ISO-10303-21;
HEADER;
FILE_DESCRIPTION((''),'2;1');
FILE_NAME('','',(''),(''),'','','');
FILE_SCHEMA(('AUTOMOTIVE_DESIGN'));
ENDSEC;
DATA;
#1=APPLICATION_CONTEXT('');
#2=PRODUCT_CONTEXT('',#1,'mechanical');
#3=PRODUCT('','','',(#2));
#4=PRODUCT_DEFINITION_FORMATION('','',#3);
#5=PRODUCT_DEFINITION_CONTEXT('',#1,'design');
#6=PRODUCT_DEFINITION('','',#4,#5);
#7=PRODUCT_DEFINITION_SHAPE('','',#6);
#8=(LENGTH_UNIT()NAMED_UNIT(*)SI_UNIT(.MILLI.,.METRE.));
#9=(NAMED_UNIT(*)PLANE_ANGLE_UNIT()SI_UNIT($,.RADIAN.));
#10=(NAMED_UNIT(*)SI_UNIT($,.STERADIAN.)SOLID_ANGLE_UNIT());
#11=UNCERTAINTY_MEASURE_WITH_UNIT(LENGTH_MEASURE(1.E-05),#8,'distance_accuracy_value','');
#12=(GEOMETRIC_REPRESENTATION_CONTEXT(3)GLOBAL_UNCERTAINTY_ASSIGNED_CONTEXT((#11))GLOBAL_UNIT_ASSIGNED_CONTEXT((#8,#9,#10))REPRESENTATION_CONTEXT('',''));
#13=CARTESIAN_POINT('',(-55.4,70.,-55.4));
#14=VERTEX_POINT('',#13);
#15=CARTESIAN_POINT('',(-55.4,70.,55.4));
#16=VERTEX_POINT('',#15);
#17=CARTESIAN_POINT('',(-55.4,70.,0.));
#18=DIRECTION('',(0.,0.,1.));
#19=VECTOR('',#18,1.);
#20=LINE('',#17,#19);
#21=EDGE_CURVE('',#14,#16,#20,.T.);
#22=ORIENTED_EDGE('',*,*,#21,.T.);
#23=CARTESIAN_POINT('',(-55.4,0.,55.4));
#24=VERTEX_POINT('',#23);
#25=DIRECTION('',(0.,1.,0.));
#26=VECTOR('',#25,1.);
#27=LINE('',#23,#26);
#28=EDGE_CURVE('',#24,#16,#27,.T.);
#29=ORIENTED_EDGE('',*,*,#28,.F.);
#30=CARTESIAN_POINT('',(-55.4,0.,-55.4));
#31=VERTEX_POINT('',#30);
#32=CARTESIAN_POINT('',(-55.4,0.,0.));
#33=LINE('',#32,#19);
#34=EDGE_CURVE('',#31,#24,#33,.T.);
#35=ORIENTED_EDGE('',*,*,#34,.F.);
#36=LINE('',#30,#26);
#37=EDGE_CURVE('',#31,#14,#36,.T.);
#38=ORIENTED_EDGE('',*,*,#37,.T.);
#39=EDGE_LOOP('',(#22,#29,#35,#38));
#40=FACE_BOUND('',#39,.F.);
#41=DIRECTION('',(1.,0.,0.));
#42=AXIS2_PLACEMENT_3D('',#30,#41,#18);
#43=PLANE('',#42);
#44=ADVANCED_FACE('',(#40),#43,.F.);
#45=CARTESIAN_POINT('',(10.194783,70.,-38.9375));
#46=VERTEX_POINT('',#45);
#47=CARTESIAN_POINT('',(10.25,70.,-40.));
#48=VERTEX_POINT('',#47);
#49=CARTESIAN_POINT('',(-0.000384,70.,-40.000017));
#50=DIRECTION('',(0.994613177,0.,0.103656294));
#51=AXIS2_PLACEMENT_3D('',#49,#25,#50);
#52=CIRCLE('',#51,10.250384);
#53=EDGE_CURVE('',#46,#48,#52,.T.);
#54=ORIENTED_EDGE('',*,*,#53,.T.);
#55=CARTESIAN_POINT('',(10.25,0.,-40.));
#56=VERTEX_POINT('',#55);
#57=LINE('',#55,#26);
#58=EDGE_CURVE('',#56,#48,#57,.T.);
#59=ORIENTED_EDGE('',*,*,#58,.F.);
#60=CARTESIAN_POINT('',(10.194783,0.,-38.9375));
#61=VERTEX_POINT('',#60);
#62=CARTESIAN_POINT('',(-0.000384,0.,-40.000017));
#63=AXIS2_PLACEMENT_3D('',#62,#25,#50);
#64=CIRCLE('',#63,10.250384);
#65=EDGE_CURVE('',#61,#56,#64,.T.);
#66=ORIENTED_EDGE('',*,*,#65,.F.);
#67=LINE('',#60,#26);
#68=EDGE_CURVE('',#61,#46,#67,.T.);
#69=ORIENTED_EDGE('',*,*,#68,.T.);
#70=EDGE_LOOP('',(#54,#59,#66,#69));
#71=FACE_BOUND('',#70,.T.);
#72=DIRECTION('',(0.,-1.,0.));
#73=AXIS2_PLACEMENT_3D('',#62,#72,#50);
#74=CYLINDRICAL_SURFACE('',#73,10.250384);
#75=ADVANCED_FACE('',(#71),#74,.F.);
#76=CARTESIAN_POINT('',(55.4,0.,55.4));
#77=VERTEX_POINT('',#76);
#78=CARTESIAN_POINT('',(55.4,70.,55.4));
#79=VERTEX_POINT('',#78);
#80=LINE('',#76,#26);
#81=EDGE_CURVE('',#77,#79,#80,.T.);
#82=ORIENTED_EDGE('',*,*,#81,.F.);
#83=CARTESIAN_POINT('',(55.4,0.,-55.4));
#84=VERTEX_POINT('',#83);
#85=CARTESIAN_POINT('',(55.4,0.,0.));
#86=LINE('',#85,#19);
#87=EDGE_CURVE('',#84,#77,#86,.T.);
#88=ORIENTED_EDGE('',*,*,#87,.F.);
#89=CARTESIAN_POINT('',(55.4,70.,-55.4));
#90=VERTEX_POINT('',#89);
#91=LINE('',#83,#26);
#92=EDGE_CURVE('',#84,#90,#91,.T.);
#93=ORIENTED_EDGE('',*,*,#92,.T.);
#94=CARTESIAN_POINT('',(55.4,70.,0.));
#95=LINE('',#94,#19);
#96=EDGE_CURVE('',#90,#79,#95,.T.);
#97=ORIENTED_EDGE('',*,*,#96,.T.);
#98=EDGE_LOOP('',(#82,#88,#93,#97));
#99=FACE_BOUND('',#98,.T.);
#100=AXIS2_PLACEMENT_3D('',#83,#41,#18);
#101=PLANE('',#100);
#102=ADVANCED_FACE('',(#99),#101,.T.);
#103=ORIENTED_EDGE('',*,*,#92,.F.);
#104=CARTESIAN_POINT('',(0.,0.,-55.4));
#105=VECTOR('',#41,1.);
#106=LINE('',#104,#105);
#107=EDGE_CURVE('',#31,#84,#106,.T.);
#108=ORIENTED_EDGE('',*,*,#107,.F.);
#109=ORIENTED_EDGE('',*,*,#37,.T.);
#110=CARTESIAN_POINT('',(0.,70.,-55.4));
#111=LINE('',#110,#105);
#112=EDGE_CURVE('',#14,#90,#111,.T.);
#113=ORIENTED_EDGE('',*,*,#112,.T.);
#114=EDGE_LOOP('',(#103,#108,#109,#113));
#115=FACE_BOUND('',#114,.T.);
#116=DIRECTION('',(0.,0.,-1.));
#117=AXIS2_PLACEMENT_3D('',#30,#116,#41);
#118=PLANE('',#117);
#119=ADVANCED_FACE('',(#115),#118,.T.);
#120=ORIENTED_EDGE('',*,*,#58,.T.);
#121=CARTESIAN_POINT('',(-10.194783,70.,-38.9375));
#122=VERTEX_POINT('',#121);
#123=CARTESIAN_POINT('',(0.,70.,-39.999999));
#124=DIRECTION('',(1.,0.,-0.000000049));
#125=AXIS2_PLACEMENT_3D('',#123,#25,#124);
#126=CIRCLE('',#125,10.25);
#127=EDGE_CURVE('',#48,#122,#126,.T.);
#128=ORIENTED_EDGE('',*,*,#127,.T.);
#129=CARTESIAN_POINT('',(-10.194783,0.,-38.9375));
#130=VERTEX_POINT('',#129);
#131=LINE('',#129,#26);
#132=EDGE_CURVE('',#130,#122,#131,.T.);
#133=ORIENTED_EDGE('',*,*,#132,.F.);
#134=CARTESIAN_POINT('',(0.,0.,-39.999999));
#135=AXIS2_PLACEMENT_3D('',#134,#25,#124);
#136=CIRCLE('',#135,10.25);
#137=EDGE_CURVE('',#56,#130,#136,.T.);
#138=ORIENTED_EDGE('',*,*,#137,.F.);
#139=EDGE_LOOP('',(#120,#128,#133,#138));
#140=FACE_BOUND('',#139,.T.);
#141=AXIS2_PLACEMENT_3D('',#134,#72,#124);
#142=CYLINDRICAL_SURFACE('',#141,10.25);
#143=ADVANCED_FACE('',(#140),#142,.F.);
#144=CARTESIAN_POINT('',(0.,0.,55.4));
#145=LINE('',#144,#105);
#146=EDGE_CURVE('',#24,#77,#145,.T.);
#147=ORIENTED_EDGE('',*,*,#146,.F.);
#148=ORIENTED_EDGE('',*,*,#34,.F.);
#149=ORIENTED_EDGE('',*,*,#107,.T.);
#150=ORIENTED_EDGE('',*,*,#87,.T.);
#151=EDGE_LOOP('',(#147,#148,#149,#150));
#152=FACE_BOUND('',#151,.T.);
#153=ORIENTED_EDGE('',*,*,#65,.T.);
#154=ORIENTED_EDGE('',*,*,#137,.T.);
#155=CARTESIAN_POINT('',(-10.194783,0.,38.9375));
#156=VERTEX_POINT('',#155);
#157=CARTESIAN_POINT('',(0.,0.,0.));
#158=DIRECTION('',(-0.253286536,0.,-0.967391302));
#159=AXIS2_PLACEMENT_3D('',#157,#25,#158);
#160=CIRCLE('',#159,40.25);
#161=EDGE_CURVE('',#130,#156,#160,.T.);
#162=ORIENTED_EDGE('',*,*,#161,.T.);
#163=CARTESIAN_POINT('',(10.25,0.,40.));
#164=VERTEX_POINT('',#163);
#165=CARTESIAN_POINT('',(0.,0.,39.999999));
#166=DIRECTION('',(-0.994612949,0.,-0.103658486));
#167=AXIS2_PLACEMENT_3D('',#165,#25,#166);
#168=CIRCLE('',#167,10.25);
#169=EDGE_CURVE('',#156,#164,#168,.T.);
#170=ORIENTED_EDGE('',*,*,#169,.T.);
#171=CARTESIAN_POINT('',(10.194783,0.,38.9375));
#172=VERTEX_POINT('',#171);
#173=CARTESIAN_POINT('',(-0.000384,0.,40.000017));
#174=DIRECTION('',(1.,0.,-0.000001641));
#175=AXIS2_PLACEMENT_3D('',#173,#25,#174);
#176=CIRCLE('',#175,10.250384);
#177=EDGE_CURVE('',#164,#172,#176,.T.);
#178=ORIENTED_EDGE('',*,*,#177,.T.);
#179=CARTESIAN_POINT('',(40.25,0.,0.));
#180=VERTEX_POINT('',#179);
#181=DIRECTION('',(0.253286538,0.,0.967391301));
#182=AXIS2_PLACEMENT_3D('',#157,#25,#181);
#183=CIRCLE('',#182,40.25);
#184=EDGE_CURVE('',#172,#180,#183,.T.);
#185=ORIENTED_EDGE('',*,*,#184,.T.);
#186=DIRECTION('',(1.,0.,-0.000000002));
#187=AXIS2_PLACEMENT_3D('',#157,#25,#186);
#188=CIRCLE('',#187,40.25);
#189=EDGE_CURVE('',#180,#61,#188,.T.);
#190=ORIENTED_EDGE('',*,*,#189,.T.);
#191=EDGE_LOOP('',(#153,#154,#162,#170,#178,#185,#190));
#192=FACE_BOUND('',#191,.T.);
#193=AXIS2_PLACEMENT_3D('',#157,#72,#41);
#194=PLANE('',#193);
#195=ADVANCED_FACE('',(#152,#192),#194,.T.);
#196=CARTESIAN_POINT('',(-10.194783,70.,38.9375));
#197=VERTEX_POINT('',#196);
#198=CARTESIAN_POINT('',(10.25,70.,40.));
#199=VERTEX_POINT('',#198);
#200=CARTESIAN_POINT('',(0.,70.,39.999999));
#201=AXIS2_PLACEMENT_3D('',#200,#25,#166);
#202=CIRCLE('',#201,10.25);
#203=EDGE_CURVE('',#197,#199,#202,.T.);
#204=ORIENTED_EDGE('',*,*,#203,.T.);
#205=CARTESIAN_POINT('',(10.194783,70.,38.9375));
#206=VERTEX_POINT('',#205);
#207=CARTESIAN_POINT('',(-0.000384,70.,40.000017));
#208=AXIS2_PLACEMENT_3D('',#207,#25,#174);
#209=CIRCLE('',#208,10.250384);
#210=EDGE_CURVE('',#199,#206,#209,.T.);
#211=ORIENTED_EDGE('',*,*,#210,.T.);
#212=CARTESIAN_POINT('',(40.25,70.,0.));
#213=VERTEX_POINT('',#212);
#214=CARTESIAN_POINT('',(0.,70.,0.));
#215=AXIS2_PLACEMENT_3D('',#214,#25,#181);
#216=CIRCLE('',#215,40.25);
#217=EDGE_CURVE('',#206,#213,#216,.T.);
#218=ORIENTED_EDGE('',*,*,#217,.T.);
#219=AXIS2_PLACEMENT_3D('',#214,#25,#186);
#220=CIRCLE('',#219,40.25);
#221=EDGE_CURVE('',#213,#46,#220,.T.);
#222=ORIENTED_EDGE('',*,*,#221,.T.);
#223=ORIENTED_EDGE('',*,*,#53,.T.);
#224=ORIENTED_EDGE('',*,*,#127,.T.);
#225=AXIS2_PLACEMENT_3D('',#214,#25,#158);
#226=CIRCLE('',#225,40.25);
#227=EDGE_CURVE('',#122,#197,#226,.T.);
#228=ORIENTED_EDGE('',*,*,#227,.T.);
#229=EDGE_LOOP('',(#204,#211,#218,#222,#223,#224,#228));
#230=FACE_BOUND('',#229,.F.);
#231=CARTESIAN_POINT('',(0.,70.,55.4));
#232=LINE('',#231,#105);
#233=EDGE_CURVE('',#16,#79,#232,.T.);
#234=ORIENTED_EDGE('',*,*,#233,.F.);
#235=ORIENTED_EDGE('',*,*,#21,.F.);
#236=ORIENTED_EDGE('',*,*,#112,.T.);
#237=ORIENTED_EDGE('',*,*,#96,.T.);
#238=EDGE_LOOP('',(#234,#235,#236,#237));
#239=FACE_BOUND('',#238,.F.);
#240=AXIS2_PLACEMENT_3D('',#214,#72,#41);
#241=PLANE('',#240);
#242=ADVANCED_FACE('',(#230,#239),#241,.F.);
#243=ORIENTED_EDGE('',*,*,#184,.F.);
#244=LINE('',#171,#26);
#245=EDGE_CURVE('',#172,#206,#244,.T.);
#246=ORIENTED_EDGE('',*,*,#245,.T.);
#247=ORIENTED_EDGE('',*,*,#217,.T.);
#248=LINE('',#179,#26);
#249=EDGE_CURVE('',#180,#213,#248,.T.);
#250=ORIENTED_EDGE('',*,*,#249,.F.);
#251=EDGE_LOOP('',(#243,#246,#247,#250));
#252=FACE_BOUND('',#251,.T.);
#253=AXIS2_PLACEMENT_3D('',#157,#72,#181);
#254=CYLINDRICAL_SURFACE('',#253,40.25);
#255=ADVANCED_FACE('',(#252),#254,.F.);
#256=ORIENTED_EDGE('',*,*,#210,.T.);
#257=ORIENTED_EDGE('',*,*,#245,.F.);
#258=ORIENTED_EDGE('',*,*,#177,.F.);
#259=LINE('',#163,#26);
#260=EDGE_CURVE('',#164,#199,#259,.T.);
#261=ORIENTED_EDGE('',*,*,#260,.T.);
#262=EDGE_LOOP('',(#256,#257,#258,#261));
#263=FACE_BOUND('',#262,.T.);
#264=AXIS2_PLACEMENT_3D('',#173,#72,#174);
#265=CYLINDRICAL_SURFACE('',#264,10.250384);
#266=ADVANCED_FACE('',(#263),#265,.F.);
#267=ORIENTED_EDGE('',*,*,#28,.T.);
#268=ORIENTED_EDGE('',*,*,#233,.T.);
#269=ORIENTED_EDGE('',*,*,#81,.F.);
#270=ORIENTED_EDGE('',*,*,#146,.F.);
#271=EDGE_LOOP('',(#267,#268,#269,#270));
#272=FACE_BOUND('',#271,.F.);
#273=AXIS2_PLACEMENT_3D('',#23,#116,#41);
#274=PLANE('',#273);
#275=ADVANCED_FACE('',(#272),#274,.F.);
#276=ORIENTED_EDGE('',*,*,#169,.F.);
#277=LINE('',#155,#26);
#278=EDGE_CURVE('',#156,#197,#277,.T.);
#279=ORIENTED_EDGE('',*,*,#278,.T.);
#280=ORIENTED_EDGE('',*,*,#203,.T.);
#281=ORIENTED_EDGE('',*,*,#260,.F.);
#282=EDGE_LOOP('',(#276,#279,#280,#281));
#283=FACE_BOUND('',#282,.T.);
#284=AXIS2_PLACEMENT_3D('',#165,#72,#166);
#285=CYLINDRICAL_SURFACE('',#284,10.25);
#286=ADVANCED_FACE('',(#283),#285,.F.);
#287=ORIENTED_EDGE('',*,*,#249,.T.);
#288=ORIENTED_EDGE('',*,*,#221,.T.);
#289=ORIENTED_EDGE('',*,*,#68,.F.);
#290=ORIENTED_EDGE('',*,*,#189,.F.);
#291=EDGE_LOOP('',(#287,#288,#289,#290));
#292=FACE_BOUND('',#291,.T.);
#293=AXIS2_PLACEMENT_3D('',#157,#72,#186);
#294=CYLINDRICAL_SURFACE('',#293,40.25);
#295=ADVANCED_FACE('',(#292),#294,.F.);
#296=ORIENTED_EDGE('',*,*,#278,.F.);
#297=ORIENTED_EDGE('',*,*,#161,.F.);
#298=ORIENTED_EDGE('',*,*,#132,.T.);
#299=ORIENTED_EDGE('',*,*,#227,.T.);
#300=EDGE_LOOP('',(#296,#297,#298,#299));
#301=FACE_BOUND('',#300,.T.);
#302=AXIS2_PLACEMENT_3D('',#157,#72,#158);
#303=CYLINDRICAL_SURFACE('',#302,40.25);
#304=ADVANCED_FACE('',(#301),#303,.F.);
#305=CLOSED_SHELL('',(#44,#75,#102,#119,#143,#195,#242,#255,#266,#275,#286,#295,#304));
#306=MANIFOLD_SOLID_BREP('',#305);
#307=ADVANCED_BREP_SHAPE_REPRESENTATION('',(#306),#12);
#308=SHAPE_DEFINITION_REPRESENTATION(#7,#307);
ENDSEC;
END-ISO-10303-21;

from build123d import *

# Parameters (mm, degrees)
F0_W     = 110.8
F0_H     = 110.8
F1_DEPTH = 70


with BuildPart() as f1:
    # F0 (on Front) → F1 (new body)
    with BuildSketch(Plane.XZ):
        Rectangle(F0_W, F0_H)
        with BuildLine():
            ThreePointArc((10.194783, 38.9375), (31.862223, 24.593927), (40.25, 0))
            ThreePointArc((40.25, 0), (31.862223, -24.593927), (10.194783, -38.9375))
            ThreePointArc((10.194783, -38.9375), (10.236186, -39.468033), (10.25, -40))
            ThreePointArc((10.25, -40), (-0.531967, -50.236186), (-10.194783, -38.9375))
            ThreePointArc((-10.194783, -38.9375), (-40.25, 0), (-10.194783, 38.9375))
            ThreePointArc((-10.194783, 38.9375), (-0.531967, 50.236186), (10.25, 40))
            ThreePointArc((10.25, 40), (10.236186, 39.468033), (10.194783, 38.9375))
        make_face(mode=Mode.SUBTRACT)
    extrude(amount=-F1_DEPTH)


solid = f1.part
